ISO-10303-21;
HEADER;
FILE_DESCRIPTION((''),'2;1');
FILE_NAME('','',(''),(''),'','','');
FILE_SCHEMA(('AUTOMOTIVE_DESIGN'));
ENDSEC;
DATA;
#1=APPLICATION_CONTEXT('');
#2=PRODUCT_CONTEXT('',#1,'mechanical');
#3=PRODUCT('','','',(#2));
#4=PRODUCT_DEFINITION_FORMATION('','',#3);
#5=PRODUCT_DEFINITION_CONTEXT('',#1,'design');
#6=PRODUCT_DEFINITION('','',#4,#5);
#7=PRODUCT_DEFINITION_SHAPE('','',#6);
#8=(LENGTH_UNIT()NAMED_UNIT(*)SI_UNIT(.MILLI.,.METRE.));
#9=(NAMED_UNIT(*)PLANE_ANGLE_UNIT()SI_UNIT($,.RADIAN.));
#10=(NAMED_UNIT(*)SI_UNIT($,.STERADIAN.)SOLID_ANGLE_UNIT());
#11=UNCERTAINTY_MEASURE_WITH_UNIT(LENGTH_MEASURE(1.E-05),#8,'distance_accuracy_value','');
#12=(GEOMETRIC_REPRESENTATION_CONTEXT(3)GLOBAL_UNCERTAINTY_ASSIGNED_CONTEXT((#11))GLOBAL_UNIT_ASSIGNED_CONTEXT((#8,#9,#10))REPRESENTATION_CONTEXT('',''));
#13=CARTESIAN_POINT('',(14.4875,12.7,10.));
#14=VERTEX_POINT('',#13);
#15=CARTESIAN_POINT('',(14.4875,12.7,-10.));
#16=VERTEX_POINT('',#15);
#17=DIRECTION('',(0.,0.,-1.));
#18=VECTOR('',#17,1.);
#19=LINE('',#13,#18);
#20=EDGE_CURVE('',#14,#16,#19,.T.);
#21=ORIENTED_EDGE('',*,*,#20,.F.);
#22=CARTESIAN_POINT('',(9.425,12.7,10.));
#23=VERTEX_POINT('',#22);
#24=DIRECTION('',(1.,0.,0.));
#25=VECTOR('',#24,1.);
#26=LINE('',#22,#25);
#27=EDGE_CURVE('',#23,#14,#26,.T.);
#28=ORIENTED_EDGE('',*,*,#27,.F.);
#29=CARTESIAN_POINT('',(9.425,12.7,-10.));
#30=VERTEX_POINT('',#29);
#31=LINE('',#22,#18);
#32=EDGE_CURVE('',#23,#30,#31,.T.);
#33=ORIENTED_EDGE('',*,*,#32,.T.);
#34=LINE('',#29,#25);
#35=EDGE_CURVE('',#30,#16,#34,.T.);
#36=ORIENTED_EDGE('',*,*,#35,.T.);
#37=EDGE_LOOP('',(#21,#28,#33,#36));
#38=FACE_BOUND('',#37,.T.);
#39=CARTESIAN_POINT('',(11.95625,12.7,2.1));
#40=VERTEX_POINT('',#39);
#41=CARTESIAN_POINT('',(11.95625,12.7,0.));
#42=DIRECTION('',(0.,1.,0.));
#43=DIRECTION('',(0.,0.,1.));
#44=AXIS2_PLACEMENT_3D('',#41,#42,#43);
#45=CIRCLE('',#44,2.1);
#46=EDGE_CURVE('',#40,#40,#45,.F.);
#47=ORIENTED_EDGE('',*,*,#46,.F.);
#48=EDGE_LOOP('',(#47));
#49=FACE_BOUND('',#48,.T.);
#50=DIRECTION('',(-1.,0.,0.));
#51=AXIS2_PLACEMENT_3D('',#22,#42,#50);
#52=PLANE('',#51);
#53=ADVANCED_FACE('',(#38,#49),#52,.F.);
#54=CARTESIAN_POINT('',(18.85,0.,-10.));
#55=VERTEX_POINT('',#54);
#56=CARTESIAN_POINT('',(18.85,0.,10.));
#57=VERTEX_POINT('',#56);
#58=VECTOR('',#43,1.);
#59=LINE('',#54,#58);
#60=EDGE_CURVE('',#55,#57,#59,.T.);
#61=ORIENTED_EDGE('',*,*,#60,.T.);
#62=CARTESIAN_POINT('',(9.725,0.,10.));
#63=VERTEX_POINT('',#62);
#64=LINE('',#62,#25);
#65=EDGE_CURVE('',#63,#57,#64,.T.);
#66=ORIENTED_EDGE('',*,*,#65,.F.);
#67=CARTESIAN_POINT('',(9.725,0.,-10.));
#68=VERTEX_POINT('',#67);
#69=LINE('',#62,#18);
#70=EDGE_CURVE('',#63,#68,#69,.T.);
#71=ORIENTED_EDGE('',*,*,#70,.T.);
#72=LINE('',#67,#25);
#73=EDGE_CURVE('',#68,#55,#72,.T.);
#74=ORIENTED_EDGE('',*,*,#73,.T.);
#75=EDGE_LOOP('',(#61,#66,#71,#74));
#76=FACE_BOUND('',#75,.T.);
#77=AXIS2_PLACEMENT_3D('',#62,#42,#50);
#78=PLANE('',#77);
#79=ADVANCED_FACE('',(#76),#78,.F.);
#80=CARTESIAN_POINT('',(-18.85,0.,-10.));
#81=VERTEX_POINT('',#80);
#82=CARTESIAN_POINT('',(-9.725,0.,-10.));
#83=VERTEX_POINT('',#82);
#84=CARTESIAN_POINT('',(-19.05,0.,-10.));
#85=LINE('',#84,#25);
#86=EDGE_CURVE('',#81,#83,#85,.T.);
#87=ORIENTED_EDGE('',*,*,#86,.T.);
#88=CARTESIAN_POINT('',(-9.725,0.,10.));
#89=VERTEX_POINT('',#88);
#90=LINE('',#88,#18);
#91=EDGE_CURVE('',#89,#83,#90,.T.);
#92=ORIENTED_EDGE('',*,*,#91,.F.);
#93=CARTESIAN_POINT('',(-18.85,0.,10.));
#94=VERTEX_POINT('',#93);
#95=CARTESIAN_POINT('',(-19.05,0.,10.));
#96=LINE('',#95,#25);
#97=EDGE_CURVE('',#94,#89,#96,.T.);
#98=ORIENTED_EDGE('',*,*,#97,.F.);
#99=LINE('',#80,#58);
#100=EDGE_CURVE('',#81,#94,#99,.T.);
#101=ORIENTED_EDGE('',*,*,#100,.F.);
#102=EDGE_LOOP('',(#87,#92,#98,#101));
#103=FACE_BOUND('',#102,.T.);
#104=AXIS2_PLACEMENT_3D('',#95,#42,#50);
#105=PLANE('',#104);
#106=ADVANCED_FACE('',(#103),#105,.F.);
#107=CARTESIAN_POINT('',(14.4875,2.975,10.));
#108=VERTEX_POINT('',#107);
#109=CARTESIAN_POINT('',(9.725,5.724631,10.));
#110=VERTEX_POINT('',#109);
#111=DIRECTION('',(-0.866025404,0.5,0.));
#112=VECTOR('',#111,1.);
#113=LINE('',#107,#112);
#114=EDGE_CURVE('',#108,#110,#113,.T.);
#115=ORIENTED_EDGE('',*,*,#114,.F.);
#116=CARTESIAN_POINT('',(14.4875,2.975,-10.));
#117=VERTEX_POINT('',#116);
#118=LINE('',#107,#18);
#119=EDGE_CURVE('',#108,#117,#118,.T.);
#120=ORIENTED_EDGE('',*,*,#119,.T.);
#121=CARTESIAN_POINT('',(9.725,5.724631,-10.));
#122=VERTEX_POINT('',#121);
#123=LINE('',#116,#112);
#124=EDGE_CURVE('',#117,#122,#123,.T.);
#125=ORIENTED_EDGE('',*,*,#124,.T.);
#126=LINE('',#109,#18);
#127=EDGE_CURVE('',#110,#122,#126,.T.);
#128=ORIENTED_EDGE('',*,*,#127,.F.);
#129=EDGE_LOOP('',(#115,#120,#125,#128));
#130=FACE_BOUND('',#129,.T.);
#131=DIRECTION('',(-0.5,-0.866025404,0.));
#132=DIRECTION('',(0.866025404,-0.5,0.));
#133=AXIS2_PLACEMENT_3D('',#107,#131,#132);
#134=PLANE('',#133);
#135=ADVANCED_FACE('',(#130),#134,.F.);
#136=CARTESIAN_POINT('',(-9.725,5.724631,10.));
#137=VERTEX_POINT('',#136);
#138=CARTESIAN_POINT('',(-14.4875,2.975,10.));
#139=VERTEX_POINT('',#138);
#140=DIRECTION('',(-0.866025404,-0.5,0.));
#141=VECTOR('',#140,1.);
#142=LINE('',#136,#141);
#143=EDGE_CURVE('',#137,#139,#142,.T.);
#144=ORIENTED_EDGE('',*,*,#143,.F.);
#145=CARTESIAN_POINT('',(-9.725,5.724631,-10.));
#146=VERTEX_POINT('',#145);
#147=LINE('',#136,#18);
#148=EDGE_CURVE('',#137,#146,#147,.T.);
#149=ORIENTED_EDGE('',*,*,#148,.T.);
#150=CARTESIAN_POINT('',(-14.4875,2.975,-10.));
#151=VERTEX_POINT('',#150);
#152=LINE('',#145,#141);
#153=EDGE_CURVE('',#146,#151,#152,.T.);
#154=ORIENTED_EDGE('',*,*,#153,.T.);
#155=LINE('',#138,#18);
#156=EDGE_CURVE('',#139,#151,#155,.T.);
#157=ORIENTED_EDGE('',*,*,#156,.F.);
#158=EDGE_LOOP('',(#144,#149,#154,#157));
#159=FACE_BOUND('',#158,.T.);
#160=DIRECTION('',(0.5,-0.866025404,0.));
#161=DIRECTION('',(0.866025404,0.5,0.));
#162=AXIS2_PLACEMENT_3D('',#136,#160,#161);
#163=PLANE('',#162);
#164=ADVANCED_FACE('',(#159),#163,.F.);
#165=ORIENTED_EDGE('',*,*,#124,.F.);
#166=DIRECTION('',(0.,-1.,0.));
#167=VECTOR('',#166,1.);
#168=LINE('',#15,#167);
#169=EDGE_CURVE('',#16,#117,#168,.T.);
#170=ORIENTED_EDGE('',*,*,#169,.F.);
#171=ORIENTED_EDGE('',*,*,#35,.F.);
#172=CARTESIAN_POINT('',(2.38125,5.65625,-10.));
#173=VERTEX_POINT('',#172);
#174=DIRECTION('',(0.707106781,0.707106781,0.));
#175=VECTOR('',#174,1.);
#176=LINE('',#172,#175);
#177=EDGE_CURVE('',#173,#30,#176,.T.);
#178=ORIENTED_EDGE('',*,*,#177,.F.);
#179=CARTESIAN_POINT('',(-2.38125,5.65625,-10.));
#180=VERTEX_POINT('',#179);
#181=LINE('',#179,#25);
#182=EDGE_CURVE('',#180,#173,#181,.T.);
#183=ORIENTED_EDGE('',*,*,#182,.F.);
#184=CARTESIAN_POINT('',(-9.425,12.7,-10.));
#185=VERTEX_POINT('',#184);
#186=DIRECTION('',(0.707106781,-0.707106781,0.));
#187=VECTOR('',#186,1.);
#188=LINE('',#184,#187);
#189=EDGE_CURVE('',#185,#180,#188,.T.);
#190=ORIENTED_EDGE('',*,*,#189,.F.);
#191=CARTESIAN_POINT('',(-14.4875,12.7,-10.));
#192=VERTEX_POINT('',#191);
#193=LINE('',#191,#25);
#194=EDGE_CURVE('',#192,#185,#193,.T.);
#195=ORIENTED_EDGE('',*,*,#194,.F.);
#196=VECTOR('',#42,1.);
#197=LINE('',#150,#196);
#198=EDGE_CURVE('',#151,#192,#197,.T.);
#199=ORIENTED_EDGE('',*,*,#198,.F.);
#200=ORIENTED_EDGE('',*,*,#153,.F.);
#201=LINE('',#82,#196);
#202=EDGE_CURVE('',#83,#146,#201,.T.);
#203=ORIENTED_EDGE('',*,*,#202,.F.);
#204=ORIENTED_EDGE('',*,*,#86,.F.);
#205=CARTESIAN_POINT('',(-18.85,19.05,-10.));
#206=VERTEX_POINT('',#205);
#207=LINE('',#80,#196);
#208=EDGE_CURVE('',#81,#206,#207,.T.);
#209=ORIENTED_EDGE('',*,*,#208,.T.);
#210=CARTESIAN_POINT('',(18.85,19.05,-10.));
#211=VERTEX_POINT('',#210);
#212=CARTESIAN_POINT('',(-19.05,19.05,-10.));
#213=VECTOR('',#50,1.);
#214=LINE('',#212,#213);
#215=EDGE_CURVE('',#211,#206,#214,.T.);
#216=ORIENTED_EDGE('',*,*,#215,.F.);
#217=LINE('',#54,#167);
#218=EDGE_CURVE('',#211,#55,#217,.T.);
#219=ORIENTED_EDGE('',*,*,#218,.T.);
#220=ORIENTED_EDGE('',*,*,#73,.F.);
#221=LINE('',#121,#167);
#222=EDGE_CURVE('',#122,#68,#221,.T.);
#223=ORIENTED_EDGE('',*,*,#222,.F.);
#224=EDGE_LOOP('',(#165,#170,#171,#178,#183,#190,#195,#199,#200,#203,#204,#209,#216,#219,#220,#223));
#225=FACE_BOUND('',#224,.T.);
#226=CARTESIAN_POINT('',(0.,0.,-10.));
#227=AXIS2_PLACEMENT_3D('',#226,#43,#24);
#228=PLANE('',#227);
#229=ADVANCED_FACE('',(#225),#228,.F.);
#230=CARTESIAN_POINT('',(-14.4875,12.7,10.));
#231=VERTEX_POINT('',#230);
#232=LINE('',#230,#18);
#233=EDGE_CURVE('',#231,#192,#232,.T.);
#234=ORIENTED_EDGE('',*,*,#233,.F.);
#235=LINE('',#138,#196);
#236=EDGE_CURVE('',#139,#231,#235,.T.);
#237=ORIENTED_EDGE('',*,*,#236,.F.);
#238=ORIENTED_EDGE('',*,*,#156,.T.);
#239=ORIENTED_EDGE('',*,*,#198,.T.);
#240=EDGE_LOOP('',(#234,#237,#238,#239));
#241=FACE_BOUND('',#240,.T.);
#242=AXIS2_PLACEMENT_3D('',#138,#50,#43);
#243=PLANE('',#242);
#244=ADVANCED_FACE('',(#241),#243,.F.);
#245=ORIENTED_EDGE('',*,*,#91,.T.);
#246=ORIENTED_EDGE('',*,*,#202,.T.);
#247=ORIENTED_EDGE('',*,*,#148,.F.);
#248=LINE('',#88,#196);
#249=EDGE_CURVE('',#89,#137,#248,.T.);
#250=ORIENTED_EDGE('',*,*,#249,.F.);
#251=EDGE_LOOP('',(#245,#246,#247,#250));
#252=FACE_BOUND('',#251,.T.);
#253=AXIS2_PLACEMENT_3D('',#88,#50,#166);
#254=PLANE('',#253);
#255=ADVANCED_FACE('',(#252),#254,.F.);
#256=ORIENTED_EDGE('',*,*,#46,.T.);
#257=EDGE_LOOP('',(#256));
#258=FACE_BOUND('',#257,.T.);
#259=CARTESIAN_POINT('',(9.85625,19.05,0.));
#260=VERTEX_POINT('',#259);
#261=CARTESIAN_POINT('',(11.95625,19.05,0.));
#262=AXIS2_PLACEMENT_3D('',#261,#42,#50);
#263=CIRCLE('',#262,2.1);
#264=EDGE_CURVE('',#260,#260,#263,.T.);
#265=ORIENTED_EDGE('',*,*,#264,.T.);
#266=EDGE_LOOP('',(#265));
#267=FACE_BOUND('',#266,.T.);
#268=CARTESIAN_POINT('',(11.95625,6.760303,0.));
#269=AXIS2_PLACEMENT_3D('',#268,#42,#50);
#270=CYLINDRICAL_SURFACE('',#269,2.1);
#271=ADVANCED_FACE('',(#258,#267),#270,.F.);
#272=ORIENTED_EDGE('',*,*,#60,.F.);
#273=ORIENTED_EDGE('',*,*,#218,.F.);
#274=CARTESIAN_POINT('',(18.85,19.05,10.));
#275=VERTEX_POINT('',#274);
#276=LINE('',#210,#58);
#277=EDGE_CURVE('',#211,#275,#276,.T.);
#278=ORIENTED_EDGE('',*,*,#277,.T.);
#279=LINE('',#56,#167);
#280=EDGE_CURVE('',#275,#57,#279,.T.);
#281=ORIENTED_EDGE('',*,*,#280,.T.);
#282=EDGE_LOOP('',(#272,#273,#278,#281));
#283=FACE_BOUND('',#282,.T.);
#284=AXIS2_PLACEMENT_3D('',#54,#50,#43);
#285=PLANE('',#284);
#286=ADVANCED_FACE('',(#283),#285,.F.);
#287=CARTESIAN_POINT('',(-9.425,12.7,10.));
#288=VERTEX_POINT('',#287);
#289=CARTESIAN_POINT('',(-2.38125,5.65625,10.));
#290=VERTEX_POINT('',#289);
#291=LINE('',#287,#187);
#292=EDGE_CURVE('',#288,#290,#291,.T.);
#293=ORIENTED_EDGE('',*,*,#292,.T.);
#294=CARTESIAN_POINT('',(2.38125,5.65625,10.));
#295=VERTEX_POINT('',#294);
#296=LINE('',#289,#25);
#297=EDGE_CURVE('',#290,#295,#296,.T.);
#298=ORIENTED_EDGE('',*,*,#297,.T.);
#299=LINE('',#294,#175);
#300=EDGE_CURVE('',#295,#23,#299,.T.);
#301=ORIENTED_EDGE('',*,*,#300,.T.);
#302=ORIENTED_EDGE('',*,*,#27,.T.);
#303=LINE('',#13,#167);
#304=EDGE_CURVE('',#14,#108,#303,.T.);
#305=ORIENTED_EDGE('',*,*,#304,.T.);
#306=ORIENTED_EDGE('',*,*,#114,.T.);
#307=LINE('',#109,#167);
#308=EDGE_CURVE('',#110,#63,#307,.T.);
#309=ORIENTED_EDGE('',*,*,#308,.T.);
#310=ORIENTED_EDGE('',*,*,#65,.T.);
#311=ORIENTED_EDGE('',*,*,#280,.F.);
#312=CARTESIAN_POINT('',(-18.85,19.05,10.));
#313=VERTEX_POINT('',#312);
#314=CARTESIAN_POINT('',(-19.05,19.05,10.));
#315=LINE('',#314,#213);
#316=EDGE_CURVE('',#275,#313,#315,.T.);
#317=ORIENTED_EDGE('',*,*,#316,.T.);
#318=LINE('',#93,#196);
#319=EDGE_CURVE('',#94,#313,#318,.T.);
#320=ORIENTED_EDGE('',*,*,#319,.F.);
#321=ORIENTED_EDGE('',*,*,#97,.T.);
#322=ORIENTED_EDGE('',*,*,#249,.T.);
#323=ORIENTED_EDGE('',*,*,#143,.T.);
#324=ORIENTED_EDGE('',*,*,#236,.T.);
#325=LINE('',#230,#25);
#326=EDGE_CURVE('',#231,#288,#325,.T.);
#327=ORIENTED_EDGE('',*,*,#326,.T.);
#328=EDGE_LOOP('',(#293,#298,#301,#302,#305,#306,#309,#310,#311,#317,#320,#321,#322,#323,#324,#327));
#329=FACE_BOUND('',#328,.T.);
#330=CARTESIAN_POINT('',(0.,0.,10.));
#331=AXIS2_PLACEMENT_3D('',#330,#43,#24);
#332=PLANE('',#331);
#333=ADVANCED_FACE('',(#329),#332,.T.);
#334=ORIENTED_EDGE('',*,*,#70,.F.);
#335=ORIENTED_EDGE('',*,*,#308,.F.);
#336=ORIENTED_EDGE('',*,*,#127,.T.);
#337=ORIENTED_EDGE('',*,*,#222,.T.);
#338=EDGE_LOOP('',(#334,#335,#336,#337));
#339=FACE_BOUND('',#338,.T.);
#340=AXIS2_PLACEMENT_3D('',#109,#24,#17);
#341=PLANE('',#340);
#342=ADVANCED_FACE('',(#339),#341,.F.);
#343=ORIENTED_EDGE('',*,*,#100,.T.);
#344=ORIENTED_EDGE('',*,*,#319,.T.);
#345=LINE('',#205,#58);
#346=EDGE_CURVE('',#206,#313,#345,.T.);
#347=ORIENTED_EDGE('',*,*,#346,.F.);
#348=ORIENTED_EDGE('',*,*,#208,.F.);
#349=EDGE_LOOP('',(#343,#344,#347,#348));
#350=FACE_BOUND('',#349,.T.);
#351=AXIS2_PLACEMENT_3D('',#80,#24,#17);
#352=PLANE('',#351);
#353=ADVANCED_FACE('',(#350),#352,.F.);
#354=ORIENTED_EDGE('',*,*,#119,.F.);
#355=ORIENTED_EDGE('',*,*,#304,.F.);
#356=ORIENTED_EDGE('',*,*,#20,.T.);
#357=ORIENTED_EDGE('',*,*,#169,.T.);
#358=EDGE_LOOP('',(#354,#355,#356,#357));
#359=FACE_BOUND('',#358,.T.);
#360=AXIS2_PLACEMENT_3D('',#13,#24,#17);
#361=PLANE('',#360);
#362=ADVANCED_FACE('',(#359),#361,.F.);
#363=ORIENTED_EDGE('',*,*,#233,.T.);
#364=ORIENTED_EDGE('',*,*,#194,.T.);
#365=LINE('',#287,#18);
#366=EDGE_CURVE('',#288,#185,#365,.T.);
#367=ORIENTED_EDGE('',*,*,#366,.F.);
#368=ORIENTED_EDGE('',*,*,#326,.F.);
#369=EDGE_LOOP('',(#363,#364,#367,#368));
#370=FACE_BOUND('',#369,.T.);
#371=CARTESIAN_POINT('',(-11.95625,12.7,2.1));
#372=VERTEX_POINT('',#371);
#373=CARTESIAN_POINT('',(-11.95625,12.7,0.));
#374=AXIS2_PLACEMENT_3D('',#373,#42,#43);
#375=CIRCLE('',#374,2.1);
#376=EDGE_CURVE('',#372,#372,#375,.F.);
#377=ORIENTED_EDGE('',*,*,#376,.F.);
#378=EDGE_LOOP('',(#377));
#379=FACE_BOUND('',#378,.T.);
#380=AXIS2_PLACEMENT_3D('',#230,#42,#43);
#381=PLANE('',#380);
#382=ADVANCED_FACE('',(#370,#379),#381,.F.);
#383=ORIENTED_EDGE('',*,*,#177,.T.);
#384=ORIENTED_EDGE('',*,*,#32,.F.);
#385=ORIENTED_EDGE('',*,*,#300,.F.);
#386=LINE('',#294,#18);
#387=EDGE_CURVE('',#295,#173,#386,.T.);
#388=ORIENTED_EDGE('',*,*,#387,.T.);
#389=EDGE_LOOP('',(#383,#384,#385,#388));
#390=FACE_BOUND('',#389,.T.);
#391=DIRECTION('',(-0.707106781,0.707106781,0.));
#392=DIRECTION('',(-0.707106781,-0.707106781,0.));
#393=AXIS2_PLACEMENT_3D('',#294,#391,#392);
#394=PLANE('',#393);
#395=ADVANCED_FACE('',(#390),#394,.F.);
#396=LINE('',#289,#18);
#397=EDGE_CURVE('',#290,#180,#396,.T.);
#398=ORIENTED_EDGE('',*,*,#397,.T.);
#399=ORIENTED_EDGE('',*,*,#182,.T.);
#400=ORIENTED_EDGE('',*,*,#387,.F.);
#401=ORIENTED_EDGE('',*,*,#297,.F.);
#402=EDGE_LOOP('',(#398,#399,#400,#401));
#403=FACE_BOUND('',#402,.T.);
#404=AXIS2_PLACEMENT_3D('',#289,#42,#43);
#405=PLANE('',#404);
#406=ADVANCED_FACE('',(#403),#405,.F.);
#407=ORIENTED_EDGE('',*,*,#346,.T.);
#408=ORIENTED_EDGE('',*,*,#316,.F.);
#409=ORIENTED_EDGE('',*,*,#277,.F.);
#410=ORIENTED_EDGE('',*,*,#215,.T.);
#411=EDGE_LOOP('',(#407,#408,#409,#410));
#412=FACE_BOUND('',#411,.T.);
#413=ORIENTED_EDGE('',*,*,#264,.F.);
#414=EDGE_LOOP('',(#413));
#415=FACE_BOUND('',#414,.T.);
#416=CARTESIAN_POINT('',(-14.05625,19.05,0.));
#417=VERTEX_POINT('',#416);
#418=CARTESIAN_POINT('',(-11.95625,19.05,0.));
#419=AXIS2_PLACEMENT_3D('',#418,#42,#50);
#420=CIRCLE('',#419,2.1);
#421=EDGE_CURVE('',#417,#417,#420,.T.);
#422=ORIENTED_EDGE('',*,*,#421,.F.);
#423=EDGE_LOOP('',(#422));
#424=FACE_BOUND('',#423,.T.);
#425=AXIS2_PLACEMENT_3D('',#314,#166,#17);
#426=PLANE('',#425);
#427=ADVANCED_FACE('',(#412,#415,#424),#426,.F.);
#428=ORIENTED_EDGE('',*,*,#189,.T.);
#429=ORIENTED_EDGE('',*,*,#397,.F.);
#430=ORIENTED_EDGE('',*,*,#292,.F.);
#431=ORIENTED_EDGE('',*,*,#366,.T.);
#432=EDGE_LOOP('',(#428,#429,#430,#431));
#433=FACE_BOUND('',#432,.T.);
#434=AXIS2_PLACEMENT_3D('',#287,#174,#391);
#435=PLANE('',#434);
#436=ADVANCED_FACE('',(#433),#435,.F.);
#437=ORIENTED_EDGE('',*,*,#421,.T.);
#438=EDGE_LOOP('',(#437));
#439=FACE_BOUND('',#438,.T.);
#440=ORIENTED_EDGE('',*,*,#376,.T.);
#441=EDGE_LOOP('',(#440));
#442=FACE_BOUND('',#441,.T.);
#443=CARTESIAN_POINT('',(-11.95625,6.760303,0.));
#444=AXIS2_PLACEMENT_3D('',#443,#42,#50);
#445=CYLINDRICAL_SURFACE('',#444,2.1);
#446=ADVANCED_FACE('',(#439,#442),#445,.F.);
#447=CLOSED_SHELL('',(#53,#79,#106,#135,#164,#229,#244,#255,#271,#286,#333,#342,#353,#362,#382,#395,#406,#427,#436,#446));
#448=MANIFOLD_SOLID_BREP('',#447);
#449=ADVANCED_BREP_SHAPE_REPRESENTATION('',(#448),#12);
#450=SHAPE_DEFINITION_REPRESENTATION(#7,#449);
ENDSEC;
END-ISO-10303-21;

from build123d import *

# Parameters (mm, degrees)
BOSS_EXTRUDE1_DEPTH     = 10
SKETCH2_R               = 2.1
CUT_EXTRUDE1_DEPTH      = 6.35
SKETCH3_W               = 9.725
SKETCH3_H               = 19.05
CUT_EXTRUDE2_DEPTH      = 11
CUT_EXTRUDE2_DEPTH_BACK = 11


with BuildPart() as part:
    # Sketch1 → Boss-Extrude1 (new body, symmetric)
    with BuildSketch(Plane.XY):
        Polygon((9.725, 0), (19.05, 0), (19.05, 19.05), (-19.05, 19.05), (-19.05, 0), (-9.725, 0), (-9.725, 5.724630657), (-14.4875, 2.975), (-14.4875, 12.7), (-9.425, 12.7), (-2.38125, 5.65625), (2.38125, 5.65625), (9.425, 12.7), (14.4875, 12.7), (14.4875, 2.975), (9.725, 5.724630657), align=None)
    extrude(amount=BOSS_EXTRUDE1_DEPTH, both=True)

    # Sketch2 → Cut-Extrude1 (cut)
    with BuildSketch(Plane(origin=(0, 19.05, 0), x_dir=(1, 0, 0), z_dir=(0, 1, 0))):
        with Locations((-11.95625, 0)):
            Circle(SKETCH2_R)
        with Locations((11.95625, 0)):
            Circle(SKETCH2_R)
    extrude(amount=-CUT_EXTRUDE1_DEPTH, mode=Mode.SUBTRACT)

    # Sketch3 → Cut-Extrude2 (cut, two sides)
    with BuildSketch(Plane.XY) as cut_extrude2_sk:
        with Locations((-23.7125, 9.525)):
            Rectangle(SKETCH3_W, SKETCH3_H)
        with Locations((23.7125, 9.525)):
            Rectangle(SKETCH3_W, SKETCH3_H)
    extrude(amount=CUT_EXTRUDE2_DEPTH, mode=Mode.SUBTRACT)
    extrude(cut_extrude2_sk.sketch, amount=-CUT_EXTRUDE2_DEPTH_BACK, mode=Mode.SUBTRACT)


solid = part.part
